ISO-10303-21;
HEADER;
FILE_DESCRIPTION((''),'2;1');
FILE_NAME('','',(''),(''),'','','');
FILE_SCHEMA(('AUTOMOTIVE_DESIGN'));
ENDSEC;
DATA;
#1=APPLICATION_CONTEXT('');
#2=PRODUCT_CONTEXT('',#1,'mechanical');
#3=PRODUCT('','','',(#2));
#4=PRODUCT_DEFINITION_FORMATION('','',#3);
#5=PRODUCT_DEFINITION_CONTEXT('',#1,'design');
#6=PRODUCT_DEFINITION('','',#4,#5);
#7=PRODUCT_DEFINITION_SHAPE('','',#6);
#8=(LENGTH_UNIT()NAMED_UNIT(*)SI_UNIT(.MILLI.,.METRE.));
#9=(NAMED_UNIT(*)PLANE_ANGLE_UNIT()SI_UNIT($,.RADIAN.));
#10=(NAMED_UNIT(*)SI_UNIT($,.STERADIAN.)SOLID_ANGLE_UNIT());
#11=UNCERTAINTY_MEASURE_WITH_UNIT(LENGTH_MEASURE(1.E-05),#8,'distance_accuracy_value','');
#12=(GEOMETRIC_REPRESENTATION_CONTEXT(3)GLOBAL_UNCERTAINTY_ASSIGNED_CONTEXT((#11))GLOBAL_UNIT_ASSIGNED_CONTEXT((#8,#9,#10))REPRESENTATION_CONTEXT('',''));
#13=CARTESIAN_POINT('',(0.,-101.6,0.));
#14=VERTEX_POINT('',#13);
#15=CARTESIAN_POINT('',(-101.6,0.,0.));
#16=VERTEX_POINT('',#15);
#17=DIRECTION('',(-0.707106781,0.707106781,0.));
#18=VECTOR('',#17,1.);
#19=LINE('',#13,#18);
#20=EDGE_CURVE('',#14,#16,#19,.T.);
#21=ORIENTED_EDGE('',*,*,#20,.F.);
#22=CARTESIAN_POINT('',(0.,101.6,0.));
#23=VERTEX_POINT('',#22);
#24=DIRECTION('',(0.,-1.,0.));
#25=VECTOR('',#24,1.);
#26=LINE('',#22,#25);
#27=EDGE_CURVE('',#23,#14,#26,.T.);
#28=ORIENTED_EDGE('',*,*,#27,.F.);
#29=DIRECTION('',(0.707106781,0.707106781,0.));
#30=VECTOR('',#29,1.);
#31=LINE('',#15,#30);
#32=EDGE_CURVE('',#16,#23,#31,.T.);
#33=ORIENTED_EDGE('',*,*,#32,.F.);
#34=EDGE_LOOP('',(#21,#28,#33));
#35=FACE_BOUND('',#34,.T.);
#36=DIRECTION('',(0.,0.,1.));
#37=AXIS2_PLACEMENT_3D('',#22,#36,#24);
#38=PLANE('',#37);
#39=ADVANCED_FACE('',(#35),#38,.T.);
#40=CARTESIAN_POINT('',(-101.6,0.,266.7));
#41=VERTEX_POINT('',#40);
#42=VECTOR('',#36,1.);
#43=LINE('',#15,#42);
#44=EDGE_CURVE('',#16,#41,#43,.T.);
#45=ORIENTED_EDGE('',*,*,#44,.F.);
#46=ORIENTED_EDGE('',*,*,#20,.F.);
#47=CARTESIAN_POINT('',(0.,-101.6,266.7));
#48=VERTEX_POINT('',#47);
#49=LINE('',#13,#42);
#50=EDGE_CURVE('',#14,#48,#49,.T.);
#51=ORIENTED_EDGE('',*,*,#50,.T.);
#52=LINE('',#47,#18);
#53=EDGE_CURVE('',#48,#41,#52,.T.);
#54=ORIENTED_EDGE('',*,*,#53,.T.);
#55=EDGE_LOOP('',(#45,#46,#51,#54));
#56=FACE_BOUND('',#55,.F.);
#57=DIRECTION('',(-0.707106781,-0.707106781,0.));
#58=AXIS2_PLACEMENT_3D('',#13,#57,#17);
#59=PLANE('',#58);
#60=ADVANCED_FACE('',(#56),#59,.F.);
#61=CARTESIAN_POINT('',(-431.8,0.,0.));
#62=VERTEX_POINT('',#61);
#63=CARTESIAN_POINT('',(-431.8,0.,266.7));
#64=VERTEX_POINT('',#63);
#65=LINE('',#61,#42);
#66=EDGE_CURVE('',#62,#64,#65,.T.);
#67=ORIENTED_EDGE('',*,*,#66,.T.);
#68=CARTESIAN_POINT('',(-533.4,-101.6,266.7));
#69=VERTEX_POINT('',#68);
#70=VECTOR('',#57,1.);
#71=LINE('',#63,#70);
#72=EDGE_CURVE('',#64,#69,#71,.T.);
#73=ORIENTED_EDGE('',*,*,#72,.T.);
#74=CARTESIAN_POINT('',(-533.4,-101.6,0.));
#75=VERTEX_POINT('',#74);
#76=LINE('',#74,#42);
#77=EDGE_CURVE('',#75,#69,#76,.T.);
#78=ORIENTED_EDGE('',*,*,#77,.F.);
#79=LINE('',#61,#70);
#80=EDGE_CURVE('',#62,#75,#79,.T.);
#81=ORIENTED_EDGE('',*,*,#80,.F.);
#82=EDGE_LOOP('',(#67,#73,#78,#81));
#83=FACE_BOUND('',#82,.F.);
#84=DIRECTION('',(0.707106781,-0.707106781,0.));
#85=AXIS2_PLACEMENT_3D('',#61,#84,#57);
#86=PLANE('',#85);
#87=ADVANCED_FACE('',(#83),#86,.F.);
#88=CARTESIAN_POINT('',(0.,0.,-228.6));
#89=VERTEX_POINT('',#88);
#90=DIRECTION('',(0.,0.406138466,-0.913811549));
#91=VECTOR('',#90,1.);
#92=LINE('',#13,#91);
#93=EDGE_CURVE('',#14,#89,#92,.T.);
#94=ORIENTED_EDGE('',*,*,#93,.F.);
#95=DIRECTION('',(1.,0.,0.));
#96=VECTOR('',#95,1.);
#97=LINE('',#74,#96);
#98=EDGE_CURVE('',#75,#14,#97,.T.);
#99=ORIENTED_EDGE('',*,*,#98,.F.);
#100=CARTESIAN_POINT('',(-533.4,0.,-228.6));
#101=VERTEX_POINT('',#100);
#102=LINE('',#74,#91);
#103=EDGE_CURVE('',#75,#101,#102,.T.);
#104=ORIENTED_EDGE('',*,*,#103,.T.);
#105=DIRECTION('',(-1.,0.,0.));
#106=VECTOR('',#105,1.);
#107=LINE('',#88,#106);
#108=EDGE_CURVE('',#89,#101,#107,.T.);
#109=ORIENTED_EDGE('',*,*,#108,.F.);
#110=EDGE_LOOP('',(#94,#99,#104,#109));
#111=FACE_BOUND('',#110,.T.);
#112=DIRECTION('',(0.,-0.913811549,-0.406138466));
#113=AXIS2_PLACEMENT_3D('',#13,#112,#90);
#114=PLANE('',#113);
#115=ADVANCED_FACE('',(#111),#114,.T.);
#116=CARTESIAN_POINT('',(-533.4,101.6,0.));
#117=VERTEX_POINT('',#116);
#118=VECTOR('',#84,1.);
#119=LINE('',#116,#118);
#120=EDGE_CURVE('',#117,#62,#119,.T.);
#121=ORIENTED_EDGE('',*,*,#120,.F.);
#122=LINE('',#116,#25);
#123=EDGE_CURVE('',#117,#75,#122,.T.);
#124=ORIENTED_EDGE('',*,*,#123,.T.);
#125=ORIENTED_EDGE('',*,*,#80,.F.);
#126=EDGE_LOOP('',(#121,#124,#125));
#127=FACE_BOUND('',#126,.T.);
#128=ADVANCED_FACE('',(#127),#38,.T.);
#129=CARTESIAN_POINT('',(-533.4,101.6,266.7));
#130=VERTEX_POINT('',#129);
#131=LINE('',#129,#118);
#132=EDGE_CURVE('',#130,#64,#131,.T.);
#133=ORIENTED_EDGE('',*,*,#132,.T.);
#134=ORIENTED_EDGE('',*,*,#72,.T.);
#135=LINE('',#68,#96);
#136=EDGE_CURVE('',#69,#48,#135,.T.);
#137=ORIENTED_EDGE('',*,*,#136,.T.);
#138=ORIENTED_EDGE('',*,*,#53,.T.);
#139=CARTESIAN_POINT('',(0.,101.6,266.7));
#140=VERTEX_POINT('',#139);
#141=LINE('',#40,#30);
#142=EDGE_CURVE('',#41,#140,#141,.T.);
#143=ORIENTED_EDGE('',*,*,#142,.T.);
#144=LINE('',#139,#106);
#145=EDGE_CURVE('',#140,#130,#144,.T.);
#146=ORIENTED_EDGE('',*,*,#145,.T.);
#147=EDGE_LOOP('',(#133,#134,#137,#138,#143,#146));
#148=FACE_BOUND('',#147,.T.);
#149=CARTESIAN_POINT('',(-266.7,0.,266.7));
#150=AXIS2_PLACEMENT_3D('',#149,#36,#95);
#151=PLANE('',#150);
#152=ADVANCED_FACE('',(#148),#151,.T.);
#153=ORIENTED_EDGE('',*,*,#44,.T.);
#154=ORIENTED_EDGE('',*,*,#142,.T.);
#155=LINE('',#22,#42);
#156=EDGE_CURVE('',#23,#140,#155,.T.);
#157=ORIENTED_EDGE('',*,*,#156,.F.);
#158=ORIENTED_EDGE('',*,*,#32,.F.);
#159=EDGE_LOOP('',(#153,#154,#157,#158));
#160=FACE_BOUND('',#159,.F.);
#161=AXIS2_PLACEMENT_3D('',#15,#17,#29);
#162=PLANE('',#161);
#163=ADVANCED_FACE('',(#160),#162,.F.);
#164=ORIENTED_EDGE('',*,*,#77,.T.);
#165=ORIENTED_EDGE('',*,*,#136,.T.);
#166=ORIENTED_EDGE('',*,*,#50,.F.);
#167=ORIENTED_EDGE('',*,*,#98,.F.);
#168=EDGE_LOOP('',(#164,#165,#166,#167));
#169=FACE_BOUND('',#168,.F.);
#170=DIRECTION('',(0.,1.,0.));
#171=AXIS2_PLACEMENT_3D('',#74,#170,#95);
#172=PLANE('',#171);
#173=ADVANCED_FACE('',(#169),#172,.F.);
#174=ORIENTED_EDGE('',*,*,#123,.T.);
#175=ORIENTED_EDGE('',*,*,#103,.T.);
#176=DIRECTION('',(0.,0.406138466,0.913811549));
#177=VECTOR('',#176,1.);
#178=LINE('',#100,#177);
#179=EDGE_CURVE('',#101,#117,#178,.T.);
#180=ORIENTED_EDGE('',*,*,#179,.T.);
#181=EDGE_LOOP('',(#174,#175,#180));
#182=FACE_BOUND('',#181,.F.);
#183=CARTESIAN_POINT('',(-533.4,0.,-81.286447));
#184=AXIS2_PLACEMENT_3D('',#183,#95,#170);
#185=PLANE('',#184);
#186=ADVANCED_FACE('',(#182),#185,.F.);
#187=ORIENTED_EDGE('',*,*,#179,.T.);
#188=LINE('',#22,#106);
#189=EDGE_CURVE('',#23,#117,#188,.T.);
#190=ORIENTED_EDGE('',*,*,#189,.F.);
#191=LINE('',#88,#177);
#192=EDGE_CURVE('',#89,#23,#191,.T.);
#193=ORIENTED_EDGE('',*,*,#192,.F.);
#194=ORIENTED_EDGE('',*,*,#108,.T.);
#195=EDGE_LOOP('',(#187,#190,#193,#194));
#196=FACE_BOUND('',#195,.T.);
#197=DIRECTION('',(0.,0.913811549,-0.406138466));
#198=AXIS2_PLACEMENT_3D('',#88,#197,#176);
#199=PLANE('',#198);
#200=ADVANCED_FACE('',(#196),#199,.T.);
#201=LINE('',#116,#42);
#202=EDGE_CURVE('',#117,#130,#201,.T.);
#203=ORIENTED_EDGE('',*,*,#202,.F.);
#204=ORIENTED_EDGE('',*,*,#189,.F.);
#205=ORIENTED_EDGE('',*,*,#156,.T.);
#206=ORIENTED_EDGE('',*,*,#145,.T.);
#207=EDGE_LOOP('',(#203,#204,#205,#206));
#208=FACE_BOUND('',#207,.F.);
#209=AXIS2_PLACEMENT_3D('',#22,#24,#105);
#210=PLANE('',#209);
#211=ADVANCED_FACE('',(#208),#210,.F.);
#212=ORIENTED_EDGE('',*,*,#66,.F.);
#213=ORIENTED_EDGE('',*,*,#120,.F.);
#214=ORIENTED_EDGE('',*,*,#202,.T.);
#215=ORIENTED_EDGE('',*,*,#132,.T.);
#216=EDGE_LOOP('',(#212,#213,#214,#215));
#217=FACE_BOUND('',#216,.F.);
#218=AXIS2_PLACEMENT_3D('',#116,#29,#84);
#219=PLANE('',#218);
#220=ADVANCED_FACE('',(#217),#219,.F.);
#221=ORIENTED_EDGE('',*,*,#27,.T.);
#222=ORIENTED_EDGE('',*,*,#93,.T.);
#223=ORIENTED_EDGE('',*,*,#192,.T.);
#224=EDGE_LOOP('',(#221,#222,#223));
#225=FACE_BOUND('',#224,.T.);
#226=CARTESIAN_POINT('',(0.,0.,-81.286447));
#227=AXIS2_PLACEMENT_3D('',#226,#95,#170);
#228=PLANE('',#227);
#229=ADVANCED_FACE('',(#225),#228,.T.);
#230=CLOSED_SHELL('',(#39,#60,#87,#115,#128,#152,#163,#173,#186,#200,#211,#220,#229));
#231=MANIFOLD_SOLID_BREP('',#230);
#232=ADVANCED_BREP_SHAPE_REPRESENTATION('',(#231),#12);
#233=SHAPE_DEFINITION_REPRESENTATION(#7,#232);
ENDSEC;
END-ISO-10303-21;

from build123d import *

# Parameters (mm, degrees)
F1_DEPTH = 266.7
F3_DEPTH = 533.4


with BuildPart() as f1:
    # F0 (on Top) → F1 (new body)
    with BuildSketch(Plane.XY):
        Polygon((0, 101.6), (-533.4, 101.6), (-431.8, 0), (-533.4, -101.6), (0, -101.6), (-101.6, 0), align=None)
    extrude(amount=F1_DEPTH)

    # F2 (on Right) → F3 (join)
    with BuildSketch(Plane.YZ):
        Polygon((0, -228.6), (101.6, 0), (-101.6, 0), align=None)
    extrude(amount=-F3_DEPTH)


solid = f1.part
